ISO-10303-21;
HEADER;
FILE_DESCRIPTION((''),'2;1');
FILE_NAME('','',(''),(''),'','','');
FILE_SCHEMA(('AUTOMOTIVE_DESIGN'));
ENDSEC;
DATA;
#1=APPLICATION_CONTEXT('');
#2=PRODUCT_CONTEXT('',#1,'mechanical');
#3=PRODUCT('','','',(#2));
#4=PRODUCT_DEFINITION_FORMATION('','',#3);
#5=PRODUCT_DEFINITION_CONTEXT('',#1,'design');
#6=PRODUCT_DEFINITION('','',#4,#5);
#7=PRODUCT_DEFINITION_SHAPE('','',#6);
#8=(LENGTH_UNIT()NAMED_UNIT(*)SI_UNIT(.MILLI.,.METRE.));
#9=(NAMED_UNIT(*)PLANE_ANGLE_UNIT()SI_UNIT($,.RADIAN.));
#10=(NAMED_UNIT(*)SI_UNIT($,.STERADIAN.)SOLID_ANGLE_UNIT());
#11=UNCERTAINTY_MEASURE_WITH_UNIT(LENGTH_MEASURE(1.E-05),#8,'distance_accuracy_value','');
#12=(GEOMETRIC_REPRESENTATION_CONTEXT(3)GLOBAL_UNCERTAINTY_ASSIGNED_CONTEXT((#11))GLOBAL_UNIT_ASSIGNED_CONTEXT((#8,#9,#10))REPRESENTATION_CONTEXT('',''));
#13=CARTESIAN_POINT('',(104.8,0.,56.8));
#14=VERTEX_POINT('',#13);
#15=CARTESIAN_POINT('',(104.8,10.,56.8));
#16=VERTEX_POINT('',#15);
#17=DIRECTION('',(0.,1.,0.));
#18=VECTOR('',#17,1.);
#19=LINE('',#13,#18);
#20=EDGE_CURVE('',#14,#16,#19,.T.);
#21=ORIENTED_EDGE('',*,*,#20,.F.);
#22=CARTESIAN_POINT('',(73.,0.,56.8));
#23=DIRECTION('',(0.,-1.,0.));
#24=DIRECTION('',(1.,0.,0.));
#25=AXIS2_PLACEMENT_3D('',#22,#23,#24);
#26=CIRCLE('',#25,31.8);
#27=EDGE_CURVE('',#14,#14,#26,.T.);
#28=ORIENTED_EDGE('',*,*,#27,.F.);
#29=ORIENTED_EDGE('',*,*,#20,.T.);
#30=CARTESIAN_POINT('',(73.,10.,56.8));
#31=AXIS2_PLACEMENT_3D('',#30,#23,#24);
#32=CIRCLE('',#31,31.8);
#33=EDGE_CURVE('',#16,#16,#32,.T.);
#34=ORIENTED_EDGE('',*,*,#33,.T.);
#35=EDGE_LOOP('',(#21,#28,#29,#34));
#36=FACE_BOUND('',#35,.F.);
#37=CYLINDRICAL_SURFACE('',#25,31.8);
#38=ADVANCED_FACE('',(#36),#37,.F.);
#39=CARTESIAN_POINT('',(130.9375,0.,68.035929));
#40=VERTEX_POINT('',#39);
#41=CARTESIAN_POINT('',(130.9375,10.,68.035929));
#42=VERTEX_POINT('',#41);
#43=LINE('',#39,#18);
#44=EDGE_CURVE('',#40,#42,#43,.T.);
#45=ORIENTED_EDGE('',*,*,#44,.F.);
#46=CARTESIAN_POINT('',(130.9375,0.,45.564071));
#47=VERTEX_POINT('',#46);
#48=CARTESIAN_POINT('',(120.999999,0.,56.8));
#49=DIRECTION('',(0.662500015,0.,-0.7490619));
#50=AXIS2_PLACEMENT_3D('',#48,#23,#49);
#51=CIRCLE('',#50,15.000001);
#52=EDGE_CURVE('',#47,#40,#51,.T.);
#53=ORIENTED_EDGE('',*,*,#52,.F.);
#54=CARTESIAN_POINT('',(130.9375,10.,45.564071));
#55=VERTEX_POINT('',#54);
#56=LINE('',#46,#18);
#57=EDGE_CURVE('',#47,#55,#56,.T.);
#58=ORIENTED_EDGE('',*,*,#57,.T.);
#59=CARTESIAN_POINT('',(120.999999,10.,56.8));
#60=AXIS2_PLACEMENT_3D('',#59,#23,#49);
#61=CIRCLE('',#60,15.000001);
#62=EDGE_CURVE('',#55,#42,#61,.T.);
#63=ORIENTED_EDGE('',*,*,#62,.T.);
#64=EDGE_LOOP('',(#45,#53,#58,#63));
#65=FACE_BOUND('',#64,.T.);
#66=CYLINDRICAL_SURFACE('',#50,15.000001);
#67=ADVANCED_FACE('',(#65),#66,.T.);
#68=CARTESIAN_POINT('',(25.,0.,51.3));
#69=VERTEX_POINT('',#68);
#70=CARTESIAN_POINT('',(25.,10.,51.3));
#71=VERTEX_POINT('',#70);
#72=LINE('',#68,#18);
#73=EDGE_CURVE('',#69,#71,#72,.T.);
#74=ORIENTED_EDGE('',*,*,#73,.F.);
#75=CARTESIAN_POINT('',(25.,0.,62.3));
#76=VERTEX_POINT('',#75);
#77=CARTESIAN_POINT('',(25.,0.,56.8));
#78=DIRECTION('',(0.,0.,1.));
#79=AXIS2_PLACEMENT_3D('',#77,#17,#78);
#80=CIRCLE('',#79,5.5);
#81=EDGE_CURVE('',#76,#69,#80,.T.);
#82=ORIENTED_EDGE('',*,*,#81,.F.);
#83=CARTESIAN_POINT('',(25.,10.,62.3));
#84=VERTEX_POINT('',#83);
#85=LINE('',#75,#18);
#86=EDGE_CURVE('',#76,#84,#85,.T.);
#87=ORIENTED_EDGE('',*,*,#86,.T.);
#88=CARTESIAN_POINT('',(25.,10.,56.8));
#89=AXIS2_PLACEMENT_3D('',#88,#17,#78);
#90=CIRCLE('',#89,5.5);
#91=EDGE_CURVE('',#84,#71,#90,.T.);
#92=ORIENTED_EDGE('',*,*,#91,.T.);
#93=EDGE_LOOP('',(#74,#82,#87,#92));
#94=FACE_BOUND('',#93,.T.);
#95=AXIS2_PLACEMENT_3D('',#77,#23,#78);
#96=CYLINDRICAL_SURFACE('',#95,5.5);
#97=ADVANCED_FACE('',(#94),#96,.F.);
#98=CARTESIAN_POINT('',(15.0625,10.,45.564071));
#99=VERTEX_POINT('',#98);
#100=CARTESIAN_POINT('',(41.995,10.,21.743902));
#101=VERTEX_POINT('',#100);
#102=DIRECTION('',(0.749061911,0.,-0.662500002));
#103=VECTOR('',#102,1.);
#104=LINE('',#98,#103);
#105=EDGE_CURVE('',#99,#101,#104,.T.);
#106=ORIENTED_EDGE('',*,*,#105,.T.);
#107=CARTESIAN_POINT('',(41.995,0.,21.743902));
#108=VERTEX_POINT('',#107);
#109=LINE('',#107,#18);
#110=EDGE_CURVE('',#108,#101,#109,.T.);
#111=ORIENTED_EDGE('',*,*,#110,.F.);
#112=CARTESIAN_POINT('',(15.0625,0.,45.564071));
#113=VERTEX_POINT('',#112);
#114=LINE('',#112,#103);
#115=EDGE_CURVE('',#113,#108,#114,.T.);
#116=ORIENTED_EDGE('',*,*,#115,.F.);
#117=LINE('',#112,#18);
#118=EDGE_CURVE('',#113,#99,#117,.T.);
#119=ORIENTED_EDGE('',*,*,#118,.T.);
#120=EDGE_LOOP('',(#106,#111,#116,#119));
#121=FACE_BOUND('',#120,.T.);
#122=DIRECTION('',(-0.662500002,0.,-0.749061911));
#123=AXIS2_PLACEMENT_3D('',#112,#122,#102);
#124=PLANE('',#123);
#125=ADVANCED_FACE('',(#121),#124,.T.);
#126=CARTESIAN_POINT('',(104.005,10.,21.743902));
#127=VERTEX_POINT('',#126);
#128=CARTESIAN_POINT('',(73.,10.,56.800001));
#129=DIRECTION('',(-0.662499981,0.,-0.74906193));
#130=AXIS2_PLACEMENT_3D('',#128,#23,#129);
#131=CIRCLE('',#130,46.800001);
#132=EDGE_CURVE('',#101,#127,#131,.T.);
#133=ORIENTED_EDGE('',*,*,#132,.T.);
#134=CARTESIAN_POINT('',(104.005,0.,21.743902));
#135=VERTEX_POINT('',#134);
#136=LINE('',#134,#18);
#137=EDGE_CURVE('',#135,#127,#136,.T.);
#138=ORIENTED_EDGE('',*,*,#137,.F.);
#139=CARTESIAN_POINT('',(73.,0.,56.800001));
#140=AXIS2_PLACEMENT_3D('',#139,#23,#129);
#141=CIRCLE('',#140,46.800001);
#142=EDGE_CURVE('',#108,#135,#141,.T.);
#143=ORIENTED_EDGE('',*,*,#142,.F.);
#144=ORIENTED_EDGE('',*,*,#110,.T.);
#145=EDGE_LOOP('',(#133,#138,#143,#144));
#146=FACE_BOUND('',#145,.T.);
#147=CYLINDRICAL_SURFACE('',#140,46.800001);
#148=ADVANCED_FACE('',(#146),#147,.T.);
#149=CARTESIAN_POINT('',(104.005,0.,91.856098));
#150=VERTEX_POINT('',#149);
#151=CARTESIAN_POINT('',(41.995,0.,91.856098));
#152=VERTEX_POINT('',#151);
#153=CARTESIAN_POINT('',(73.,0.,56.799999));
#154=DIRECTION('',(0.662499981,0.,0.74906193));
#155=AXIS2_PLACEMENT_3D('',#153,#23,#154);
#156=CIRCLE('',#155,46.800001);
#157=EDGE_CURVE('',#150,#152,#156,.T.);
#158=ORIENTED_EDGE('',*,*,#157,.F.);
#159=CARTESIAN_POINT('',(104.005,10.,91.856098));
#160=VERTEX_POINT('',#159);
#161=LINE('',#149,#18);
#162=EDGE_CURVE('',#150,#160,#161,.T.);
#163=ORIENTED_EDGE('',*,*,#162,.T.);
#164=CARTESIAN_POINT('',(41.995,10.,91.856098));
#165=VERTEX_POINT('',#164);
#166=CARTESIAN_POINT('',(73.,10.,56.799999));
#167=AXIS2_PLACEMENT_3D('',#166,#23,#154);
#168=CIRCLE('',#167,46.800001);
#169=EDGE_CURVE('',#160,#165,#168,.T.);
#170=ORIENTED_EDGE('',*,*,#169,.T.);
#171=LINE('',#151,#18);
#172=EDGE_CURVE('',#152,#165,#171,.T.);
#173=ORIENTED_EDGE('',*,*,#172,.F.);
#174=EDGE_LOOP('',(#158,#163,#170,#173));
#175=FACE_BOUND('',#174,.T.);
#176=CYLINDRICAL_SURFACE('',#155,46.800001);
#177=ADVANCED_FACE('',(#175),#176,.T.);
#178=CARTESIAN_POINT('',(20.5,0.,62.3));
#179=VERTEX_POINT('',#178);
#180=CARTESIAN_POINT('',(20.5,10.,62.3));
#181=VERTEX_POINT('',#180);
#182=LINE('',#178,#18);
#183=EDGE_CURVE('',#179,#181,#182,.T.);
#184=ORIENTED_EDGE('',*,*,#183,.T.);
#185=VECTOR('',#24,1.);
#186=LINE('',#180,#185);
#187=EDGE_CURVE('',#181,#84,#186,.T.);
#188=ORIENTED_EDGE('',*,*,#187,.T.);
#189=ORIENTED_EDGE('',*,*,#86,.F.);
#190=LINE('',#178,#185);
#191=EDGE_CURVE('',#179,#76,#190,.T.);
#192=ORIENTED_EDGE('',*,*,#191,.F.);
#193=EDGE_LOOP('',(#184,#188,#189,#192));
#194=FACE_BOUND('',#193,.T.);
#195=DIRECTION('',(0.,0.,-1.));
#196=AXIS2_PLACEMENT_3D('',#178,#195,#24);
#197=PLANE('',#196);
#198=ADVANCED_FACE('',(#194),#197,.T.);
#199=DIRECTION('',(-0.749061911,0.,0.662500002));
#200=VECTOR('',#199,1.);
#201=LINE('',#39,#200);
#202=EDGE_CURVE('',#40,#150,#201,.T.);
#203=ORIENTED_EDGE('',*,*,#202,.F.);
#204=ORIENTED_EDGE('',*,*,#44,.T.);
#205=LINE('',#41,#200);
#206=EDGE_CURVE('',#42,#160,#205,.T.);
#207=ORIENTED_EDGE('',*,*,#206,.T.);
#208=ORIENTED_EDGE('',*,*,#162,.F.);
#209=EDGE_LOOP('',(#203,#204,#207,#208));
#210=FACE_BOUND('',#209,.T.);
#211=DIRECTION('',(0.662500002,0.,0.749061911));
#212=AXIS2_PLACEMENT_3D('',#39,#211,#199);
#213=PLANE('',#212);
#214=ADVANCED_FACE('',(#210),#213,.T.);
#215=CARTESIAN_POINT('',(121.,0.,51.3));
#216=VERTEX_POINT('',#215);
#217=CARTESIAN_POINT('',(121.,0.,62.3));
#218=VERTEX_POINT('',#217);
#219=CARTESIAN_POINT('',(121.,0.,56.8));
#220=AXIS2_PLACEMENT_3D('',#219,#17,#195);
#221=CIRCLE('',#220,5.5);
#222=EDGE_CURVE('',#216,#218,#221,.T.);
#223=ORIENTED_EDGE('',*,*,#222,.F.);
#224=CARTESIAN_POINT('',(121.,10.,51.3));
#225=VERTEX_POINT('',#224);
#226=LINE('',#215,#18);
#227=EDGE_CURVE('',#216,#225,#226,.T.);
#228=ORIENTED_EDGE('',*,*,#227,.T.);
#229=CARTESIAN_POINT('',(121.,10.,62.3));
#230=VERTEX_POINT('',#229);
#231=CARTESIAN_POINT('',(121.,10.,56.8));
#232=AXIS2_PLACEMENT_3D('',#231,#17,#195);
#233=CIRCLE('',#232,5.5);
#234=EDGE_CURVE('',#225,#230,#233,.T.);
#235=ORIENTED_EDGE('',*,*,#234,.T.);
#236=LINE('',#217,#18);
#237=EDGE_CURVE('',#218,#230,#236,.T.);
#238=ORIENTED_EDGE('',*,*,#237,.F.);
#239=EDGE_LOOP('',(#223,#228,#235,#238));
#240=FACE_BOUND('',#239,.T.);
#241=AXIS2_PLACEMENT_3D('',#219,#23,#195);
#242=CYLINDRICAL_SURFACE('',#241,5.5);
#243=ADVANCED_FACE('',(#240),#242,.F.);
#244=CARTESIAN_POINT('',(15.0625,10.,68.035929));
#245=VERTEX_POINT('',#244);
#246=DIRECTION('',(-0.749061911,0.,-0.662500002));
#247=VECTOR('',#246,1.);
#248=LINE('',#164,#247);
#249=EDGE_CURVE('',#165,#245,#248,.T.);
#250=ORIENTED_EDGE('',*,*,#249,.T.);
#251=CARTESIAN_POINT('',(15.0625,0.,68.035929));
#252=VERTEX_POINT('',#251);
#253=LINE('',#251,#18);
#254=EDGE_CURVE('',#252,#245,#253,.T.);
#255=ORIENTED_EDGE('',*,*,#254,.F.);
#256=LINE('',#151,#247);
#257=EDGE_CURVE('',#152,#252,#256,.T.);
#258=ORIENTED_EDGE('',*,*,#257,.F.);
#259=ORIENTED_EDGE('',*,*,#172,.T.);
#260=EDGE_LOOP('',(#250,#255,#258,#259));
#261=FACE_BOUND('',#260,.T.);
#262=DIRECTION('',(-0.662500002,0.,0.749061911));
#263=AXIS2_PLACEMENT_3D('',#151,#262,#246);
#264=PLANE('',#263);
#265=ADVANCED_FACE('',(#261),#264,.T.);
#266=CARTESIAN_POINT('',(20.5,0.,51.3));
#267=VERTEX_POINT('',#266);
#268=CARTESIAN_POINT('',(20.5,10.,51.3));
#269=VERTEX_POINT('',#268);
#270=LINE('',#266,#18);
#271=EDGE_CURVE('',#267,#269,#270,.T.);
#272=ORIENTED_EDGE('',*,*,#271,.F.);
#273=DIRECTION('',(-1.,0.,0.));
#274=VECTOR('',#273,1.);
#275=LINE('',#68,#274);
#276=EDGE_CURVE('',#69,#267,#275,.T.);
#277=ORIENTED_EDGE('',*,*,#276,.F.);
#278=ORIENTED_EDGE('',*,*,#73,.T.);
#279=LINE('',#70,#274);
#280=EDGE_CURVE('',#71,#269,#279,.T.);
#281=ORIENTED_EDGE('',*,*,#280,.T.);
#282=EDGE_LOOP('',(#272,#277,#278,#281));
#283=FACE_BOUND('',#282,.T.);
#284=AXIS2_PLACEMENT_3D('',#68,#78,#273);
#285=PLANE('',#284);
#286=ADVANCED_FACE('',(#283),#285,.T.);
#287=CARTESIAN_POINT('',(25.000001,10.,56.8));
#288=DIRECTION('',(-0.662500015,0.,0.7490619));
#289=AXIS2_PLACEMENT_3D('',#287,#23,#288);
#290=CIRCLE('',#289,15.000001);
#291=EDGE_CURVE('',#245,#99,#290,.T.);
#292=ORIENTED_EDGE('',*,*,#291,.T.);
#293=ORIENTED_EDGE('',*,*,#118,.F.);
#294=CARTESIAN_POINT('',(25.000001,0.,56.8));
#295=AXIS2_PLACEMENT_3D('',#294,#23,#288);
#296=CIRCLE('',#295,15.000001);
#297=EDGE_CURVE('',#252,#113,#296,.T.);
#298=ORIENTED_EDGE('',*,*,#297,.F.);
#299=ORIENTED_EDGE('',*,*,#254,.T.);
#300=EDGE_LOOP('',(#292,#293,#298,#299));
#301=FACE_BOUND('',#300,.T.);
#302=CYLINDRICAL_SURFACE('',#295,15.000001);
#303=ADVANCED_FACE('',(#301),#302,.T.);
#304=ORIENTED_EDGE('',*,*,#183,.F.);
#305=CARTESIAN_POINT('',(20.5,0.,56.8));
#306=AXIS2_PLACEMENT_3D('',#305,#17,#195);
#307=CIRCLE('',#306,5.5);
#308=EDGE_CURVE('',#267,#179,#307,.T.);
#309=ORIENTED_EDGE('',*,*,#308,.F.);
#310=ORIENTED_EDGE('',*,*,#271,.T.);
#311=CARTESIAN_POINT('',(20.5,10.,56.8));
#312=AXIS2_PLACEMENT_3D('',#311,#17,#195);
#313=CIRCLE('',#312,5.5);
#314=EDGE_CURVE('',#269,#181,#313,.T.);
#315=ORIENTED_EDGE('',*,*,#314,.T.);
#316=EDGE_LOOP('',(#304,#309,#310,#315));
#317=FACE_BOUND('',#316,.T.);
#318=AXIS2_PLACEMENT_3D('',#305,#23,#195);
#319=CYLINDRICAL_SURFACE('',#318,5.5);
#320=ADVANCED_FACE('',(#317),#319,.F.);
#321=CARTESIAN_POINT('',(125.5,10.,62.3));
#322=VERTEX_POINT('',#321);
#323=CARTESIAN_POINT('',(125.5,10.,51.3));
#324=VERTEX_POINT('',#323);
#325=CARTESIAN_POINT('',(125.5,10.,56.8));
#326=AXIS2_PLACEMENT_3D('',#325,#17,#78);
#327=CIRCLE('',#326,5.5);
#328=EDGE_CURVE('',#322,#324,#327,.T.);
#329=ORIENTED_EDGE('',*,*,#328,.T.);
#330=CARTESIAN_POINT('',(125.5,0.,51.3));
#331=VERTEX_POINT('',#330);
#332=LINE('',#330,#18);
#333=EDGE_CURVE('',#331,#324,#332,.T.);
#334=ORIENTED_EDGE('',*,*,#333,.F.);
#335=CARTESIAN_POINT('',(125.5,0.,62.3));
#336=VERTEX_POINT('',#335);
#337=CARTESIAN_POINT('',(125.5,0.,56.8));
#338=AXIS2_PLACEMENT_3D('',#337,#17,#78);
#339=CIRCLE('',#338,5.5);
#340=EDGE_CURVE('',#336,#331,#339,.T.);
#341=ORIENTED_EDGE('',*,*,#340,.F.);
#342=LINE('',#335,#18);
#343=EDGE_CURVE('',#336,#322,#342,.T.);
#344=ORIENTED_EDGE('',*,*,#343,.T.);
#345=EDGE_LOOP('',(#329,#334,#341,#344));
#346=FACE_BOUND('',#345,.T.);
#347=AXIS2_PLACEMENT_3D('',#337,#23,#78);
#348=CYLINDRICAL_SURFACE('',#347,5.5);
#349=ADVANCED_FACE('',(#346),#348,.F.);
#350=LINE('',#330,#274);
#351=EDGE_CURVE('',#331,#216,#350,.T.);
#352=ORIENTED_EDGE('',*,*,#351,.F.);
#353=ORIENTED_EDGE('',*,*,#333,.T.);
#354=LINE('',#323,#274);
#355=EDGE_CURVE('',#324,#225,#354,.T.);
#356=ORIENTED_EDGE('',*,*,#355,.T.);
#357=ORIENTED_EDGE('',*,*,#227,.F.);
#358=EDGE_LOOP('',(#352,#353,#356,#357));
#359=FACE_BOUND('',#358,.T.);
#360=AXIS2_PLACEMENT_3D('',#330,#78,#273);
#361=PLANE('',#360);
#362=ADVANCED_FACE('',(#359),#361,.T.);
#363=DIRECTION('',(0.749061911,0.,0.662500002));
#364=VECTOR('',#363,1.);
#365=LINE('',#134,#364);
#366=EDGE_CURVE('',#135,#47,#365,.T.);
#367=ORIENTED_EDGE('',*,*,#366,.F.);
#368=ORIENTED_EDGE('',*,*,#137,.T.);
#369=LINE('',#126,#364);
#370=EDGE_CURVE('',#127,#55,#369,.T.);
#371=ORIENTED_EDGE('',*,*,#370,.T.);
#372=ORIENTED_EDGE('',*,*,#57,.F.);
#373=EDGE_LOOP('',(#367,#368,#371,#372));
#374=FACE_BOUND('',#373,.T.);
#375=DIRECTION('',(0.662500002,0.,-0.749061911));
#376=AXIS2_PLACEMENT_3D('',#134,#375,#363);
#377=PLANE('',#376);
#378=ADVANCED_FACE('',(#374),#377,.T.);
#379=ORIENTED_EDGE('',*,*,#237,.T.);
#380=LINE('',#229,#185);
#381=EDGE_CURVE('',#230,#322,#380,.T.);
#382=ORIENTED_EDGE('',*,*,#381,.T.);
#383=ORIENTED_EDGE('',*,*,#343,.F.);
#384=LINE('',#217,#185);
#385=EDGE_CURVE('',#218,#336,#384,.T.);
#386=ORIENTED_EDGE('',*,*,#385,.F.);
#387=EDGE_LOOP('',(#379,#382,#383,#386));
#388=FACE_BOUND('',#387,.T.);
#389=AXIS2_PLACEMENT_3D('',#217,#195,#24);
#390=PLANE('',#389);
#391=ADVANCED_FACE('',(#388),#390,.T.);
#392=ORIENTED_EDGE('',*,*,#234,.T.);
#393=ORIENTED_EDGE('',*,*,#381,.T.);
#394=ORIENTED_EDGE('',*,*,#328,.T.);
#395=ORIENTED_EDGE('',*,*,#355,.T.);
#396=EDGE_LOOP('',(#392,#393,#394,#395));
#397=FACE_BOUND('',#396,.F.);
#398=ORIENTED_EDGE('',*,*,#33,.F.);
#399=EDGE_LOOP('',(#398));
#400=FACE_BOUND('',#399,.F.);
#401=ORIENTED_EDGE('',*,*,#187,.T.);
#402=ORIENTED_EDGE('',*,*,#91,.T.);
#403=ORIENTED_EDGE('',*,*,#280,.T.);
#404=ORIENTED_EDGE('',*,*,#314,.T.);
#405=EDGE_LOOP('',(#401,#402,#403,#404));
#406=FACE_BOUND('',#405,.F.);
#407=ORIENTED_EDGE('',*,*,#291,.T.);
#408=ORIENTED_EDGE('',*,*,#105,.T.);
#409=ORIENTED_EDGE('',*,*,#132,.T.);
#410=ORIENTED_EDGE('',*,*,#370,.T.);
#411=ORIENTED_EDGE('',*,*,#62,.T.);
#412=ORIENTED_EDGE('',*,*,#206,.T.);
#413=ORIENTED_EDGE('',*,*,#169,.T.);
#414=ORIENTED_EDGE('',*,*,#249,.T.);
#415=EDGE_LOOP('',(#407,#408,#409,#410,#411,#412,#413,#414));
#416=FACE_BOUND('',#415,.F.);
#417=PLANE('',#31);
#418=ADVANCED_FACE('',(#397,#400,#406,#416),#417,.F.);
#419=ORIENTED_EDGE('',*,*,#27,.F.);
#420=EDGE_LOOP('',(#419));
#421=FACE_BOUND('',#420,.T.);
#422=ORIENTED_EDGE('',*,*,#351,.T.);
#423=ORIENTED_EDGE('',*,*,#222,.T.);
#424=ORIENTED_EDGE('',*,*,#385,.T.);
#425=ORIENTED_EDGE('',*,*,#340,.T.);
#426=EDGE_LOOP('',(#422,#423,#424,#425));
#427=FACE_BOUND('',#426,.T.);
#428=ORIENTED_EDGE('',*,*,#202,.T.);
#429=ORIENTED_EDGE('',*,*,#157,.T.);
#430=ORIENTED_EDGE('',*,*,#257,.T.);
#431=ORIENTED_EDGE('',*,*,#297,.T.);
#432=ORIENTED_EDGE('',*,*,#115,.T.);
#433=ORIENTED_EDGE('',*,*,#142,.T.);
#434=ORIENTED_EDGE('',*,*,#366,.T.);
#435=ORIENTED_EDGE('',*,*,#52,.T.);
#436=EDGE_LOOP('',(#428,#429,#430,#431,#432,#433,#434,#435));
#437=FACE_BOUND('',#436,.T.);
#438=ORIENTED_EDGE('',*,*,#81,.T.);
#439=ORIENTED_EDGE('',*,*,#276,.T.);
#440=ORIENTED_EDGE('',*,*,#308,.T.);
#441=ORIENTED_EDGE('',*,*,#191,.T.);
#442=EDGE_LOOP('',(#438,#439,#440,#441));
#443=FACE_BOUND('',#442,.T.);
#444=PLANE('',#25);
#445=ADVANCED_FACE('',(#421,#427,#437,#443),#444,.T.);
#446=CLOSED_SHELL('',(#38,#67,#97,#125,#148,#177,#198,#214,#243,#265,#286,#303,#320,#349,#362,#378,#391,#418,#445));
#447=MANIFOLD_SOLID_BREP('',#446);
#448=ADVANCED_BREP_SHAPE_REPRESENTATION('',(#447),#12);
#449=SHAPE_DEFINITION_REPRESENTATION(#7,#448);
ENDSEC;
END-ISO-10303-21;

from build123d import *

# Parameters (mm, degrees)
F0_R     = 31.8
F1_DEPTH = 10


with BuildPart() as f1:
    # F0 (on Front) → F1 (new body)
    with BuildSketch(Plane.XZ):
        with BuildLine():
            Line((15.0625, 45.564071), (41.995, 21.743902))
            ThreePointArc((41.995, 21.743902), (73, 10), (104.005, 21.743902))
            Line((104.005, 21.743902), (130.9375, 45.564071))
            ThreePointArc((130.9375, 45.564071), (136, 56.8), (130.9375, 68.035929))
            Line((130.9375, 68.035929), (104.005, 91.856098))
            ThreePointArc((104.005, 91.856098), (73, 103.6), (41.995, 91.856098))
            Line((41.995, 91.856098), (15.0625, 68.035929))
            ThreePointArc((15.0625, 68.035929), (10, 56.8), (15.0625, 45.564071))
        make_face()
        with BuildLine():
            ThreePointArc((25, 62.3), (30.5, 56.8), (25, 51.3))
            Line((25, 51.3), (20.5, 51.3))
            ThreePointArc((20.5, 51.3), (15, 56.8), (20.5, 62.3))
            Line((20.5, 62.3), (25, 62.3))
        make_face(mode=Mode.SUBTRACT)
        with Locations((73, 56.8)):
            Circle(F0_R, mode=Mode.SUBTRACT)
        with BuildLine():
            Line((125.5, 51.3), (121, 51.3))
            ThreePointArc((121, 51.3), (115.5, 56.8), (121, 62.3))
            Line((121, 62.3), (125.5, 62.3))
            ThreePointArc((125.5, 62.3), (131, 56.8), (125.5, 51.3))
        make_face(mode=Mode.SUBTRACT)
    extrude(amount=-F1_DEPTH)


solid = f1.part
